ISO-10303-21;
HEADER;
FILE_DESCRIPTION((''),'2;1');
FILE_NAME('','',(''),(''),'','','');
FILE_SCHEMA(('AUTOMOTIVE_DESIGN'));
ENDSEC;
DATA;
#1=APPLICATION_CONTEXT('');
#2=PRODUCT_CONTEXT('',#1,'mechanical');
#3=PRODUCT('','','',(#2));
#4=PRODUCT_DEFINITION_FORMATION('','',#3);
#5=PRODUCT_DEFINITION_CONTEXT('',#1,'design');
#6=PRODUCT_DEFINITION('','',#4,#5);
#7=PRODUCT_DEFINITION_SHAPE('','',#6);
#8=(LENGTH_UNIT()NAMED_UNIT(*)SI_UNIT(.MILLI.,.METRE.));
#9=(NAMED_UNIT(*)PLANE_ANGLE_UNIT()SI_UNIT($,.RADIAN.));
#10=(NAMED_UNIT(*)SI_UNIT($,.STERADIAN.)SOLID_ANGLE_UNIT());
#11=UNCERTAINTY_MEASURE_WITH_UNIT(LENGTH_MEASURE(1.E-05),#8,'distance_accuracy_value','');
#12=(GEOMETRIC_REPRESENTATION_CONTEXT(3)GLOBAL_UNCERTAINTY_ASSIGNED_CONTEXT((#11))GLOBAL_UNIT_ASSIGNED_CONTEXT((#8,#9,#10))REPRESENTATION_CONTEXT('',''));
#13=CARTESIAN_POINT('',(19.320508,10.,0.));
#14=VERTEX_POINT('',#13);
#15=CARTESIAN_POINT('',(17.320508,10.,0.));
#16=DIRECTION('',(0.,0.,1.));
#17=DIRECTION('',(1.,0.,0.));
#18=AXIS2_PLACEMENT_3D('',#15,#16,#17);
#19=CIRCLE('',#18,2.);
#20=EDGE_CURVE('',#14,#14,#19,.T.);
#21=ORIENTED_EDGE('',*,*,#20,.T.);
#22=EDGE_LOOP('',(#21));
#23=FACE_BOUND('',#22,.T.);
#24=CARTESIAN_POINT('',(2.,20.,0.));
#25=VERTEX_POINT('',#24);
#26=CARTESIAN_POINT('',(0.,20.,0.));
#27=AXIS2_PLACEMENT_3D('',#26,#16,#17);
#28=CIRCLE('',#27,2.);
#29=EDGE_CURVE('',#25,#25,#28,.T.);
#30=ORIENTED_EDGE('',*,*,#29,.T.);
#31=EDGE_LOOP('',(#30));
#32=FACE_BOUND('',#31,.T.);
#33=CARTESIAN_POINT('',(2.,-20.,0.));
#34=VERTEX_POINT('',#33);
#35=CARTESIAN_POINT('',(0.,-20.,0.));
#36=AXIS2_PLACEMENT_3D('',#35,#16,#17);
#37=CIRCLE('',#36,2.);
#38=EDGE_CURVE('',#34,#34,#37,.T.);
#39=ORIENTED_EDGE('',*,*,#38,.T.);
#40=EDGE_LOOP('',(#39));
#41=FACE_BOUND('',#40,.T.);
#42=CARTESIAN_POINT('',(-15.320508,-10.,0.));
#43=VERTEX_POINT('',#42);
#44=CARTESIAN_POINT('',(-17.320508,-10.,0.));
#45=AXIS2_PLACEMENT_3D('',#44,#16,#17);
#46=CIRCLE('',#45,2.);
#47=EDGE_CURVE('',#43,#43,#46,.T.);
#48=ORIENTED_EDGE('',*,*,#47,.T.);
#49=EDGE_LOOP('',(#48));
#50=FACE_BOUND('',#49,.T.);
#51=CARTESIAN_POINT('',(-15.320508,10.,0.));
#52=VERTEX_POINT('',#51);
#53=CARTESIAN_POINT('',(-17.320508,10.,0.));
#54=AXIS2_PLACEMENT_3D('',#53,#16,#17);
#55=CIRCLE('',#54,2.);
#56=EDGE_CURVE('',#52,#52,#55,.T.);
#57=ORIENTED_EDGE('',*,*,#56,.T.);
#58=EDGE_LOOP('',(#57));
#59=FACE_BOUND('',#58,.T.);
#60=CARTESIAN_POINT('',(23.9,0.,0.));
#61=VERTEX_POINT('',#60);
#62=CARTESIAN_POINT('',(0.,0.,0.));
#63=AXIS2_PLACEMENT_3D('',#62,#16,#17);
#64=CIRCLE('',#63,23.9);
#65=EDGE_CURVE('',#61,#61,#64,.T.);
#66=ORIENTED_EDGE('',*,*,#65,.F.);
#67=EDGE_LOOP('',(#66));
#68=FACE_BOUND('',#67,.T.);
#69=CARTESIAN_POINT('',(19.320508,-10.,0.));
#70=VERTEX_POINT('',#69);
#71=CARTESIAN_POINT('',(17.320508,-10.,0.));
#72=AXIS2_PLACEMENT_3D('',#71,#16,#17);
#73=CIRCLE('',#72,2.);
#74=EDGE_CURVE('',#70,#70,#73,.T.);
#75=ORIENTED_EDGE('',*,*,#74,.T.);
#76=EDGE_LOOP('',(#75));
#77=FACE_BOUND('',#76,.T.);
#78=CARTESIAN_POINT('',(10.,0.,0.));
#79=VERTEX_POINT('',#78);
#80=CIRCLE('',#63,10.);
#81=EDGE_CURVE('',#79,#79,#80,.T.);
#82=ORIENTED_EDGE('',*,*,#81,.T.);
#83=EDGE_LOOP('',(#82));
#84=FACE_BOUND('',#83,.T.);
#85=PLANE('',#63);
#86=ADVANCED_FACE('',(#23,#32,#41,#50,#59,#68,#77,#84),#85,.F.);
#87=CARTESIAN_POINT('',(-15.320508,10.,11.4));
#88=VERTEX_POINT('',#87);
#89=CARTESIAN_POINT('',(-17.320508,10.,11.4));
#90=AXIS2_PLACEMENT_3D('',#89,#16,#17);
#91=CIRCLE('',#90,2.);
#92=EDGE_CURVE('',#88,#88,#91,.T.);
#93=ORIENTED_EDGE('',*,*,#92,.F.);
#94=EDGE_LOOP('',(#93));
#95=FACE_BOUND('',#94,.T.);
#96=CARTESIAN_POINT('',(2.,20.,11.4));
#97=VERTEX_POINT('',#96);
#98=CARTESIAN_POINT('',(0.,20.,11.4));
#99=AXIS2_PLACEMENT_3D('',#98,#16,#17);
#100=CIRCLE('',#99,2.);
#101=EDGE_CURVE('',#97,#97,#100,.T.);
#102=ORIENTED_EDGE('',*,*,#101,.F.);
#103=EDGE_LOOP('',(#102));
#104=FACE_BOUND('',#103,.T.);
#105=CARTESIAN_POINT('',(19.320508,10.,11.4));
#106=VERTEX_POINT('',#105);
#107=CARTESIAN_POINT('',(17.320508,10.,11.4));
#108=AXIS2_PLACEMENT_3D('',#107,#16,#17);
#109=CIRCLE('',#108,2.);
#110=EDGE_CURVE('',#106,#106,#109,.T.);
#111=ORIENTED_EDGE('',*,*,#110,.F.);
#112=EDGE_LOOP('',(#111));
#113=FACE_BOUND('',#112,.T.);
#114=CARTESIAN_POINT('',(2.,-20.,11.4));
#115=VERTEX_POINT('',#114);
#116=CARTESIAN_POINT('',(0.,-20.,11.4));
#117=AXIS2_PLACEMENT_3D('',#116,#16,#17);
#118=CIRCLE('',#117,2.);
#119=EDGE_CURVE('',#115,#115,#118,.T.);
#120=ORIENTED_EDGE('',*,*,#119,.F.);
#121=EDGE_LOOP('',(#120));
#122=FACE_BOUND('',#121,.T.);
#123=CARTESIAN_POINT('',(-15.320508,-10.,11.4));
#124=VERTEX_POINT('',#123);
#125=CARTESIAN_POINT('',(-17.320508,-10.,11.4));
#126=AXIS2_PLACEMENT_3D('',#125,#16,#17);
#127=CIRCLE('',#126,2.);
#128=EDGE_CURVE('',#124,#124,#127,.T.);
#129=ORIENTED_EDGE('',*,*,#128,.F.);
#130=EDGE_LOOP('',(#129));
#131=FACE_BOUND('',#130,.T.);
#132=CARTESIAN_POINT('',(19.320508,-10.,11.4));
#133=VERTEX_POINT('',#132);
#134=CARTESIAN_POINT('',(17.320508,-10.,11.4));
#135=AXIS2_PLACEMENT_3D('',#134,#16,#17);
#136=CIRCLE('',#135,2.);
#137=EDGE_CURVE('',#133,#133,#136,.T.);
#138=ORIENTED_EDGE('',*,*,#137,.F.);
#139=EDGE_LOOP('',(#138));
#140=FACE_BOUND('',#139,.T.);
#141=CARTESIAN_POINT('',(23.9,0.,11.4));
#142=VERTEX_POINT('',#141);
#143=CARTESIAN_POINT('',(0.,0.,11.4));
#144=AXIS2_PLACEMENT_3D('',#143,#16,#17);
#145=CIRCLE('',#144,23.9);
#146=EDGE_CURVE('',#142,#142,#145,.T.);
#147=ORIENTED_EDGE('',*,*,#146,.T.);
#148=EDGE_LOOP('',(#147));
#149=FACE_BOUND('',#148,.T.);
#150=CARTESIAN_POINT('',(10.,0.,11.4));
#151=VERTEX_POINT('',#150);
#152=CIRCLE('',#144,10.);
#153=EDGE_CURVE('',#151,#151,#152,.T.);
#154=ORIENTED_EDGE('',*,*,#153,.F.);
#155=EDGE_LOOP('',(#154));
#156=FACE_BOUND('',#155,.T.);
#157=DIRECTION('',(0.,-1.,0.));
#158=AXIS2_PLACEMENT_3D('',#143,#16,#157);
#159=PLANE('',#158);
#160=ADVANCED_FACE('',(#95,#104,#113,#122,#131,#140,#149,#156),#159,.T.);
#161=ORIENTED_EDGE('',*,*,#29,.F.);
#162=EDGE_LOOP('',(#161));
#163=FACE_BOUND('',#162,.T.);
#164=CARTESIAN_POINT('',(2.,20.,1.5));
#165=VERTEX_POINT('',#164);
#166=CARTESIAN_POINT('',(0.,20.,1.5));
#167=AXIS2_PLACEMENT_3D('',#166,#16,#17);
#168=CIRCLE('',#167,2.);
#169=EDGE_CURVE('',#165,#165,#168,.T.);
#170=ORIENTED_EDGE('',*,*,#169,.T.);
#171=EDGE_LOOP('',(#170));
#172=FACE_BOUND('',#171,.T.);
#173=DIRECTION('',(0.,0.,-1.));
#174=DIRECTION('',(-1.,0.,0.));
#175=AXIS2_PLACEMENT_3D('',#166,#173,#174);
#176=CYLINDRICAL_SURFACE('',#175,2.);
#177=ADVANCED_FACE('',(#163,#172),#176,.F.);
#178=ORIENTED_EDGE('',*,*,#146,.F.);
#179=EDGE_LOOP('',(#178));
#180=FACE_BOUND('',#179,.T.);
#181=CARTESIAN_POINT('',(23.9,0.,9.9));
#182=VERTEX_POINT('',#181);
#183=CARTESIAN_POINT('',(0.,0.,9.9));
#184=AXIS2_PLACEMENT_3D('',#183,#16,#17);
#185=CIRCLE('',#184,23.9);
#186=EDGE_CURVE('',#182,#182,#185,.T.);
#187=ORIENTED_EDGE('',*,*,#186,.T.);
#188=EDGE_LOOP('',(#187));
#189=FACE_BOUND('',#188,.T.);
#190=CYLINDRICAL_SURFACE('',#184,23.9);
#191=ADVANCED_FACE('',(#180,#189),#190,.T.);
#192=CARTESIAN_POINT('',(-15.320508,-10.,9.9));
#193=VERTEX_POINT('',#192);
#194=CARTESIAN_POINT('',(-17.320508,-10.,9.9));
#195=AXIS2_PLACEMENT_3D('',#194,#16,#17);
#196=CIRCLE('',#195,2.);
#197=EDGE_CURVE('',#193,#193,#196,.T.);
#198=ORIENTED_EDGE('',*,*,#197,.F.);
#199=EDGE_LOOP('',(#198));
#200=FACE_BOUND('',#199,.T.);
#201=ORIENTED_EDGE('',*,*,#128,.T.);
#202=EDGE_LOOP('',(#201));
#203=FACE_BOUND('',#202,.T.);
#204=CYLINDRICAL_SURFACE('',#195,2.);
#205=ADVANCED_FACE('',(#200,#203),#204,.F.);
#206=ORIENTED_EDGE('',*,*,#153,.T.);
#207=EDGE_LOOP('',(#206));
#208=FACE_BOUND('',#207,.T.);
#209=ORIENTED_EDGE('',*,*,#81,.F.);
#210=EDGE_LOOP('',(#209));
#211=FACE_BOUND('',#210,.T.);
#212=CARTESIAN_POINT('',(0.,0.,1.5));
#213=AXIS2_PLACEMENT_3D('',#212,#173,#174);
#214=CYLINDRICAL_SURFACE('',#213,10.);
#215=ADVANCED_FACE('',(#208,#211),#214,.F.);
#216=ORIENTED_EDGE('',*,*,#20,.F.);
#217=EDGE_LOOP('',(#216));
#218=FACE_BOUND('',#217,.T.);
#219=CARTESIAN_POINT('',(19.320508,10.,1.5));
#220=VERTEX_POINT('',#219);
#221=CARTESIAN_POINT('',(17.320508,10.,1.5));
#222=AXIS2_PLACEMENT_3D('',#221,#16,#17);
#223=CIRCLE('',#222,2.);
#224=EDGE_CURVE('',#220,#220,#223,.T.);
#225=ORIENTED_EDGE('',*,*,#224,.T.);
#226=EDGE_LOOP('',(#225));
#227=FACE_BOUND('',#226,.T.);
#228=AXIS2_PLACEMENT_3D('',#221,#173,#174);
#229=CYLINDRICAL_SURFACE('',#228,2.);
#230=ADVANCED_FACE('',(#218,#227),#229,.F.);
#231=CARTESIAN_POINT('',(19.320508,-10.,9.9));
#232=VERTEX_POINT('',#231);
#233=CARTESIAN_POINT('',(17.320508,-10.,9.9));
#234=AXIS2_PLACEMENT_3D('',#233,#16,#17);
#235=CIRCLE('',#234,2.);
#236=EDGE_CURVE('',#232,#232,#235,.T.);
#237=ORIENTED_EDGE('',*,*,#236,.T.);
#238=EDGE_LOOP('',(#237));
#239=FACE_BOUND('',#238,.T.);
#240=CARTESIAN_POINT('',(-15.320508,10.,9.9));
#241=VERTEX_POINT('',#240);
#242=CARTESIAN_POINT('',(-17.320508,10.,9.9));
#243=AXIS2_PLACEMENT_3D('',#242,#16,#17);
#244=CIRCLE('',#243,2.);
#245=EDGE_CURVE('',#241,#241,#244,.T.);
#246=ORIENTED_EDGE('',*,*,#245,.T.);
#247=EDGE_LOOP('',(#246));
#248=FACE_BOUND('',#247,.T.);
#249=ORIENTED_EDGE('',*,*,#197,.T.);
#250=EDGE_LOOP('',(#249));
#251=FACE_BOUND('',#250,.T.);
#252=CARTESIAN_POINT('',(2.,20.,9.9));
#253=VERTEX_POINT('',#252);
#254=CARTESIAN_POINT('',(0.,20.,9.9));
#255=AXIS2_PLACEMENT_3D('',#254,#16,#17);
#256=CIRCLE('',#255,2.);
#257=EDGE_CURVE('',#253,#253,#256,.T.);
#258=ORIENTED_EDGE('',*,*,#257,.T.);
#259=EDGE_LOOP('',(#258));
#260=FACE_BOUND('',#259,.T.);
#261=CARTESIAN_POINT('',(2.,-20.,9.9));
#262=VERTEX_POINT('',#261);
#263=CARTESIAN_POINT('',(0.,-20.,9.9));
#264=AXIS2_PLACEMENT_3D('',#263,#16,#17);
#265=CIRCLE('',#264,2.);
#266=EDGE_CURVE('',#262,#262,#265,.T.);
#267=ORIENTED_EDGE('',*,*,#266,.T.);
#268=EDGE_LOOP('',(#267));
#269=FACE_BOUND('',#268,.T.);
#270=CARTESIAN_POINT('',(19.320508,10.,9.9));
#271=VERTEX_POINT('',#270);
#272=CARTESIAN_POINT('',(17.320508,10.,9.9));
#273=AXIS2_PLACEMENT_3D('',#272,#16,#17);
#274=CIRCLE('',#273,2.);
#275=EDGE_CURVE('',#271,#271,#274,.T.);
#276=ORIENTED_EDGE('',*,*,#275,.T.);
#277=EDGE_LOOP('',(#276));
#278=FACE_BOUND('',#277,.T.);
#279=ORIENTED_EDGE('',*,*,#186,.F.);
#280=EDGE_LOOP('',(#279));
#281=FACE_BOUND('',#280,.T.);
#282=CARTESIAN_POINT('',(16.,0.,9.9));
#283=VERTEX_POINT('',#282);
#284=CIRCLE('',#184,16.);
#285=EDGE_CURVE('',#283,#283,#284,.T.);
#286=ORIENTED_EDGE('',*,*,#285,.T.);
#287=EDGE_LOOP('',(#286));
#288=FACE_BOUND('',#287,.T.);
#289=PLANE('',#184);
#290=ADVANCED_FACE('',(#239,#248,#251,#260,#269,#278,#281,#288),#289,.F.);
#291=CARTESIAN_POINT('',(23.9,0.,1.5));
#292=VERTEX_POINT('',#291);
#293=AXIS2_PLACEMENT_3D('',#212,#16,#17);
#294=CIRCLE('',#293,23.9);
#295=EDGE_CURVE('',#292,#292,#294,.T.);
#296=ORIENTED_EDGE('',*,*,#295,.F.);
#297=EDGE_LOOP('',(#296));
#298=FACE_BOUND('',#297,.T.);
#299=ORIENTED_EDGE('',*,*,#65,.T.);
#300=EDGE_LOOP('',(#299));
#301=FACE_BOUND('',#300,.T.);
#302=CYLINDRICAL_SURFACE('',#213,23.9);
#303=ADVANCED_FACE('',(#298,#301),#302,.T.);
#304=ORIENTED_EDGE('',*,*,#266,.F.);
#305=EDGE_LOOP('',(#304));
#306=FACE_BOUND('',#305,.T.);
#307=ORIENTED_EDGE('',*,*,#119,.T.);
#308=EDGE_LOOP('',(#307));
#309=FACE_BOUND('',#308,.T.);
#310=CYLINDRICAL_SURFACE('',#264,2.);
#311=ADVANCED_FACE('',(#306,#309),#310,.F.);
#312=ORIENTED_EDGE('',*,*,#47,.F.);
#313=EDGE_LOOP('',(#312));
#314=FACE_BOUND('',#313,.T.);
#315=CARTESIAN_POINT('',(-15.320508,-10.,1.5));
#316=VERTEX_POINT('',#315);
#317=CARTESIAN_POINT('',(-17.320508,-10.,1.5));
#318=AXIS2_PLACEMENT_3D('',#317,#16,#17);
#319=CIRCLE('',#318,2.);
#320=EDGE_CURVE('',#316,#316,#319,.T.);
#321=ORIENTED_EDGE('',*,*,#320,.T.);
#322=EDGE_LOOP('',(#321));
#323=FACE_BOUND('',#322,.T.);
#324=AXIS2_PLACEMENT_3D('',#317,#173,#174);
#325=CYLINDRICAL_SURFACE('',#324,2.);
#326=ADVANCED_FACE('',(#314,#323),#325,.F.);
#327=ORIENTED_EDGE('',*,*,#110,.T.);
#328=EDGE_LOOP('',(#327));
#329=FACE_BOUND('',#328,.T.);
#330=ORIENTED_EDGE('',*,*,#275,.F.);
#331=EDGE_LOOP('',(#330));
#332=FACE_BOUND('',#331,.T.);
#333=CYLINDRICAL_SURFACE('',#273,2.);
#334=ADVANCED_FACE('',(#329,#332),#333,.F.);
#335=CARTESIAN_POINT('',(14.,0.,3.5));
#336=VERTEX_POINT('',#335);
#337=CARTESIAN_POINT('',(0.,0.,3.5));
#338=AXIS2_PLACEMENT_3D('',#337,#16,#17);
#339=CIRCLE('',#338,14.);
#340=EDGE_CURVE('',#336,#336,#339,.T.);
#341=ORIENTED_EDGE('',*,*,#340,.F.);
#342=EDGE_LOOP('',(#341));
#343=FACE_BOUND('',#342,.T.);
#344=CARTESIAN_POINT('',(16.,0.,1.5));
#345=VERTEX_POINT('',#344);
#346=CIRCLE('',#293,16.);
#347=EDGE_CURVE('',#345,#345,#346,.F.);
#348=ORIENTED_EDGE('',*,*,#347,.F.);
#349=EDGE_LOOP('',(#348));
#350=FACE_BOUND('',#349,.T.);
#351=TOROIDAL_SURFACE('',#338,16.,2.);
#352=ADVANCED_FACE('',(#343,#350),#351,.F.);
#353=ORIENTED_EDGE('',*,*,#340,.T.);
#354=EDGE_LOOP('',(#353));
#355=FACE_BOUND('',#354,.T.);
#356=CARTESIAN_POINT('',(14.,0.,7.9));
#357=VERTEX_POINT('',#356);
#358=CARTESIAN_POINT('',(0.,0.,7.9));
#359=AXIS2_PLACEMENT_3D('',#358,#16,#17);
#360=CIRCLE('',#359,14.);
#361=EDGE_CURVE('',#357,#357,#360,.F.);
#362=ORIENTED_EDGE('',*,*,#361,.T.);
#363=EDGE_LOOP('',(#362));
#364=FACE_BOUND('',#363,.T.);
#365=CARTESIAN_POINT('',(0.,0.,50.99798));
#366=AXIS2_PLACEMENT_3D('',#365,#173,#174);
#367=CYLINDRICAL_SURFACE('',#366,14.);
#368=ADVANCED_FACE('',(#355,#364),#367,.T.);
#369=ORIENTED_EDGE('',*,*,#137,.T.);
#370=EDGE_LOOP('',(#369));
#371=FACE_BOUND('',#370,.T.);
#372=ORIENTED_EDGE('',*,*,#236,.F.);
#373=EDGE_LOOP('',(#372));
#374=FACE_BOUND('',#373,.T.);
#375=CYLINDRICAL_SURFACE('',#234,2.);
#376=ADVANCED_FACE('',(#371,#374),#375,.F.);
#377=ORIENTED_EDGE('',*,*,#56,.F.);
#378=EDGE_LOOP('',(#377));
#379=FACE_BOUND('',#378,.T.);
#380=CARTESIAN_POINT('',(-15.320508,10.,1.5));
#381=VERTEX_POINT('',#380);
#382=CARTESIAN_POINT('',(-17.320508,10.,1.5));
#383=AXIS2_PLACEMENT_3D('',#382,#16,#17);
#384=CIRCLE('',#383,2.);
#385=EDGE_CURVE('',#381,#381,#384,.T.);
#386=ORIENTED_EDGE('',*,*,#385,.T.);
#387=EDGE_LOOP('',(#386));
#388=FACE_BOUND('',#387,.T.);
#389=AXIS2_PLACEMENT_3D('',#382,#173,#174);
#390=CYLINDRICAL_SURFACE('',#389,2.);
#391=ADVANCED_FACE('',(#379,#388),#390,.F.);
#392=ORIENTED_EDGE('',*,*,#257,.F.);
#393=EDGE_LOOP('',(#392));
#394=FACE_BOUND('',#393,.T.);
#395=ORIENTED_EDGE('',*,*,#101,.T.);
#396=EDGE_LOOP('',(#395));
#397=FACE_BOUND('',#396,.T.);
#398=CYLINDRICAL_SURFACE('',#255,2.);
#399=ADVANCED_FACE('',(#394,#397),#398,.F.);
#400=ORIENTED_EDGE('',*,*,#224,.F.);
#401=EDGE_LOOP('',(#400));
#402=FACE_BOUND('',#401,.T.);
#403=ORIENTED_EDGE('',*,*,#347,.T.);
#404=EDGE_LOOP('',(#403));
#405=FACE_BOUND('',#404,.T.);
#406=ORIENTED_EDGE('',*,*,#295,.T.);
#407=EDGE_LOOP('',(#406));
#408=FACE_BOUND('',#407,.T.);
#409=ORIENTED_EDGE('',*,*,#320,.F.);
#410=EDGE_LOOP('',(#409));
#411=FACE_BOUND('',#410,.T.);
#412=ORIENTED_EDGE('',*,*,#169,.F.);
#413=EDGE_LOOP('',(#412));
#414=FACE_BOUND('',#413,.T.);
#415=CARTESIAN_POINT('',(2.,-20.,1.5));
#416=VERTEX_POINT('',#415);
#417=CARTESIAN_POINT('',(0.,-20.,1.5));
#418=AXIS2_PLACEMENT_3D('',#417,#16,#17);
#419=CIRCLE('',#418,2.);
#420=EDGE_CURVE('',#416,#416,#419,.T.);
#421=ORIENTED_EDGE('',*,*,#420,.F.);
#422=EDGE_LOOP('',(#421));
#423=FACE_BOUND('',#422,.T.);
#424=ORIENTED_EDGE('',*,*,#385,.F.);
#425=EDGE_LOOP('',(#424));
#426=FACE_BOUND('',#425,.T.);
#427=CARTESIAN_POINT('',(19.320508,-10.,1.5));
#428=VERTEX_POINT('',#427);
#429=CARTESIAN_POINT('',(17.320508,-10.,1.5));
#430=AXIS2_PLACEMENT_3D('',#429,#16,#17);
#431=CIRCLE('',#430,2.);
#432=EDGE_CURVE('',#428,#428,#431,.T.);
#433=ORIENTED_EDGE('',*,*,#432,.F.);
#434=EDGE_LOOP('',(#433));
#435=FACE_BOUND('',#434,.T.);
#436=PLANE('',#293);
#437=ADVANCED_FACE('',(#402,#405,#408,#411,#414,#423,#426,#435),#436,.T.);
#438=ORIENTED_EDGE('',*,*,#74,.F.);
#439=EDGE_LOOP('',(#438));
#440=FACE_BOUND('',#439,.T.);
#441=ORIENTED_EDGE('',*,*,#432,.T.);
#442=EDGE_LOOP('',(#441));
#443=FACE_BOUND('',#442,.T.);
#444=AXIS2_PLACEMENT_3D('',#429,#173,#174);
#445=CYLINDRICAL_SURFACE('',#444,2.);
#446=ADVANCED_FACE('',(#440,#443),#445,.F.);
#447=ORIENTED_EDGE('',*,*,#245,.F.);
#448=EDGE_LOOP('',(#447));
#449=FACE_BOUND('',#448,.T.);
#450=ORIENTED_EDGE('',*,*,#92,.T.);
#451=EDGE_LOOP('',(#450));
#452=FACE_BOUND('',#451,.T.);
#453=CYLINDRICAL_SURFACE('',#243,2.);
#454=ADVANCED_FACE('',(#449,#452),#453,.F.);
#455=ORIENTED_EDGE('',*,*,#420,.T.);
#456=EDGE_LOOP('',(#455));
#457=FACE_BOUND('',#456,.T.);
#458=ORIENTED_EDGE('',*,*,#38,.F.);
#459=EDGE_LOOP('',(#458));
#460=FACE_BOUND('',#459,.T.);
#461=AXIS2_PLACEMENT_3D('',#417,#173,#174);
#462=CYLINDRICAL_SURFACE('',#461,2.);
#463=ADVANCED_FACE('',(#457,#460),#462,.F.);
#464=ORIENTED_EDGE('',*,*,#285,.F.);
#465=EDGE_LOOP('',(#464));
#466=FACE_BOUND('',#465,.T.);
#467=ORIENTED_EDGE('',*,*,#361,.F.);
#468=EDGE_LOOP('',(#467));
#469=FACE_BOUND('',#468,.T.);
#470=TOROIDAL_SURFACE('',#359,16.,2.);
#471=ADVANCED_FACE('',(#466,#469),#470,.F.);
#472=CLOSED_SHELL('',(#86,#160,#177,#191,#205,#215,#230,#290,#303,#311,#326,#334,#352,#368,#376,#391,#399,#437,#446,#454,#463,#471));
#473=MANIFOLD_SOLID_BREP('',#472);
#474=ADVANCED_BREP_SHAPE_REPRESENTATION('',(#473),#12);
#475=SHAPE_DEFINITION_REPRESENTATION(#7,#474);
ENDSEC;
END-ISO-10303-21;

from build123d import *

# Parameters (mm, degrees)
ESBO_O1_R                = 23.9
ESBO_O1_R_2              = 2
ESBO_O1_R_3              = 10
RESSALTO_EXTRUS_O1_DEPTH = 1.5
ESBO_O2_R                = 14
ESBO_O2_R_2              = 10
RESSALTO_EXTRUS_O2_DEPTH = 9.9
RESSALTO_EXTRUS_O3_START = -1.5
ESBO_O3_R                = 23.9
ESBO_O3_R_2              = 2
ESBO_O3_R_3              = 10
RESSALTO_EXTRUS_O3_DEPTH = 1.5
FILETE1_R                = 2


with BuildPart() as part:
    # Esboço1 → Ressalto-extrusão1 (new body)
    with BuildSketch(Plane.XY):
        Circle(ESBO_O1_R)
        with Locations((0, -20)):
            Circle(ESBO_O1_R_2, mode=Mode.SUBTRACT)
        with Locations((-17.320508076, -10)):
            Circle(ESBO_O1_R_2, mode=Mode.SUBTRACT)
        with Locations((-17.320508076, 10)):
            Circle(ESBO_O1_R_2, mode=Mode.SUBTRACT)
        with Locations((17.320508076, -10)):
            Circle(ESBO_O1_R_2, mode=Mode.SUBTRACT)
        with Locations((17.320508076, 10)):
            Circle(ESBO_O1_R_2, mode=Mode.SUBTRACT)
        with Locations((0, 20)):
            Circle(ESBO_O1_R_2, mode=Mode.SUBTRACT)
        Circle(ESBO_O1_R_3, mode=Mode.SUBTRACT)
    extrude(amount=RESSALTO_EXTRUS_O1_DEPTH)

    # Esboço2 → Ressalto-extrusão2 (add)
    with BuildSketch(Plane.XY.offset(1.5)):
        Circle(ESBO_O2_R)
        Circle(ESBO_O2_R_2, mode=Mode.SUBTRACT)
    extrude(amount=RESSALTO_EXTRUS_O2_DEPTH)

    # Esboço3 → Ressalto-extrusão3 (add)
    with BuildSketch(Plane.XY.offset(11.4).offset(RESSALTO_EXTRUS_O3_START)):
        Circle(ESBO_O3_R)
        with Locations((-17.320508076, -10)):
            Circle(ESBO_O3_R_2, mode=Mode.SUBTRACT)
        with Locations((0, -20)):
            Circle(ESBO_O3_R_2, mode=Mode.SUBTRACT)
        with Locations((17.320508076, -10)):
            Circle(ESBO_O3_R_2, mode=Mode.SUBTRACT)
        with Locations((17.320508076, 10)):
            Circle(ESBO_O3_R_2, mode=Mode.SUBTRACT)
        with Locations((0, 20)):
            Circle(ESBO_O3_R_2, mode=Mode.SUBTRACT)
        with Locations((-17.320508076, 10)):
            Circle(ESBO_O3_R_2, mode=Mode.SUBTRACT)
        Circle(ESBO_O3_R_3, mode=Mode.SUBTRACT)
    extrude(amount=RESSALTO_EXTRUS_O3_DEPTH)

    # Filete1
    filete1_edges = [part.edges().sort_by_distance(p)[0] for p in [
        (-14, 0, 1.5),
        (-14, 0, 9.9),
    ]]
    fillet(filete1_edges, radius=FILETE1_R)


solid = part.part
